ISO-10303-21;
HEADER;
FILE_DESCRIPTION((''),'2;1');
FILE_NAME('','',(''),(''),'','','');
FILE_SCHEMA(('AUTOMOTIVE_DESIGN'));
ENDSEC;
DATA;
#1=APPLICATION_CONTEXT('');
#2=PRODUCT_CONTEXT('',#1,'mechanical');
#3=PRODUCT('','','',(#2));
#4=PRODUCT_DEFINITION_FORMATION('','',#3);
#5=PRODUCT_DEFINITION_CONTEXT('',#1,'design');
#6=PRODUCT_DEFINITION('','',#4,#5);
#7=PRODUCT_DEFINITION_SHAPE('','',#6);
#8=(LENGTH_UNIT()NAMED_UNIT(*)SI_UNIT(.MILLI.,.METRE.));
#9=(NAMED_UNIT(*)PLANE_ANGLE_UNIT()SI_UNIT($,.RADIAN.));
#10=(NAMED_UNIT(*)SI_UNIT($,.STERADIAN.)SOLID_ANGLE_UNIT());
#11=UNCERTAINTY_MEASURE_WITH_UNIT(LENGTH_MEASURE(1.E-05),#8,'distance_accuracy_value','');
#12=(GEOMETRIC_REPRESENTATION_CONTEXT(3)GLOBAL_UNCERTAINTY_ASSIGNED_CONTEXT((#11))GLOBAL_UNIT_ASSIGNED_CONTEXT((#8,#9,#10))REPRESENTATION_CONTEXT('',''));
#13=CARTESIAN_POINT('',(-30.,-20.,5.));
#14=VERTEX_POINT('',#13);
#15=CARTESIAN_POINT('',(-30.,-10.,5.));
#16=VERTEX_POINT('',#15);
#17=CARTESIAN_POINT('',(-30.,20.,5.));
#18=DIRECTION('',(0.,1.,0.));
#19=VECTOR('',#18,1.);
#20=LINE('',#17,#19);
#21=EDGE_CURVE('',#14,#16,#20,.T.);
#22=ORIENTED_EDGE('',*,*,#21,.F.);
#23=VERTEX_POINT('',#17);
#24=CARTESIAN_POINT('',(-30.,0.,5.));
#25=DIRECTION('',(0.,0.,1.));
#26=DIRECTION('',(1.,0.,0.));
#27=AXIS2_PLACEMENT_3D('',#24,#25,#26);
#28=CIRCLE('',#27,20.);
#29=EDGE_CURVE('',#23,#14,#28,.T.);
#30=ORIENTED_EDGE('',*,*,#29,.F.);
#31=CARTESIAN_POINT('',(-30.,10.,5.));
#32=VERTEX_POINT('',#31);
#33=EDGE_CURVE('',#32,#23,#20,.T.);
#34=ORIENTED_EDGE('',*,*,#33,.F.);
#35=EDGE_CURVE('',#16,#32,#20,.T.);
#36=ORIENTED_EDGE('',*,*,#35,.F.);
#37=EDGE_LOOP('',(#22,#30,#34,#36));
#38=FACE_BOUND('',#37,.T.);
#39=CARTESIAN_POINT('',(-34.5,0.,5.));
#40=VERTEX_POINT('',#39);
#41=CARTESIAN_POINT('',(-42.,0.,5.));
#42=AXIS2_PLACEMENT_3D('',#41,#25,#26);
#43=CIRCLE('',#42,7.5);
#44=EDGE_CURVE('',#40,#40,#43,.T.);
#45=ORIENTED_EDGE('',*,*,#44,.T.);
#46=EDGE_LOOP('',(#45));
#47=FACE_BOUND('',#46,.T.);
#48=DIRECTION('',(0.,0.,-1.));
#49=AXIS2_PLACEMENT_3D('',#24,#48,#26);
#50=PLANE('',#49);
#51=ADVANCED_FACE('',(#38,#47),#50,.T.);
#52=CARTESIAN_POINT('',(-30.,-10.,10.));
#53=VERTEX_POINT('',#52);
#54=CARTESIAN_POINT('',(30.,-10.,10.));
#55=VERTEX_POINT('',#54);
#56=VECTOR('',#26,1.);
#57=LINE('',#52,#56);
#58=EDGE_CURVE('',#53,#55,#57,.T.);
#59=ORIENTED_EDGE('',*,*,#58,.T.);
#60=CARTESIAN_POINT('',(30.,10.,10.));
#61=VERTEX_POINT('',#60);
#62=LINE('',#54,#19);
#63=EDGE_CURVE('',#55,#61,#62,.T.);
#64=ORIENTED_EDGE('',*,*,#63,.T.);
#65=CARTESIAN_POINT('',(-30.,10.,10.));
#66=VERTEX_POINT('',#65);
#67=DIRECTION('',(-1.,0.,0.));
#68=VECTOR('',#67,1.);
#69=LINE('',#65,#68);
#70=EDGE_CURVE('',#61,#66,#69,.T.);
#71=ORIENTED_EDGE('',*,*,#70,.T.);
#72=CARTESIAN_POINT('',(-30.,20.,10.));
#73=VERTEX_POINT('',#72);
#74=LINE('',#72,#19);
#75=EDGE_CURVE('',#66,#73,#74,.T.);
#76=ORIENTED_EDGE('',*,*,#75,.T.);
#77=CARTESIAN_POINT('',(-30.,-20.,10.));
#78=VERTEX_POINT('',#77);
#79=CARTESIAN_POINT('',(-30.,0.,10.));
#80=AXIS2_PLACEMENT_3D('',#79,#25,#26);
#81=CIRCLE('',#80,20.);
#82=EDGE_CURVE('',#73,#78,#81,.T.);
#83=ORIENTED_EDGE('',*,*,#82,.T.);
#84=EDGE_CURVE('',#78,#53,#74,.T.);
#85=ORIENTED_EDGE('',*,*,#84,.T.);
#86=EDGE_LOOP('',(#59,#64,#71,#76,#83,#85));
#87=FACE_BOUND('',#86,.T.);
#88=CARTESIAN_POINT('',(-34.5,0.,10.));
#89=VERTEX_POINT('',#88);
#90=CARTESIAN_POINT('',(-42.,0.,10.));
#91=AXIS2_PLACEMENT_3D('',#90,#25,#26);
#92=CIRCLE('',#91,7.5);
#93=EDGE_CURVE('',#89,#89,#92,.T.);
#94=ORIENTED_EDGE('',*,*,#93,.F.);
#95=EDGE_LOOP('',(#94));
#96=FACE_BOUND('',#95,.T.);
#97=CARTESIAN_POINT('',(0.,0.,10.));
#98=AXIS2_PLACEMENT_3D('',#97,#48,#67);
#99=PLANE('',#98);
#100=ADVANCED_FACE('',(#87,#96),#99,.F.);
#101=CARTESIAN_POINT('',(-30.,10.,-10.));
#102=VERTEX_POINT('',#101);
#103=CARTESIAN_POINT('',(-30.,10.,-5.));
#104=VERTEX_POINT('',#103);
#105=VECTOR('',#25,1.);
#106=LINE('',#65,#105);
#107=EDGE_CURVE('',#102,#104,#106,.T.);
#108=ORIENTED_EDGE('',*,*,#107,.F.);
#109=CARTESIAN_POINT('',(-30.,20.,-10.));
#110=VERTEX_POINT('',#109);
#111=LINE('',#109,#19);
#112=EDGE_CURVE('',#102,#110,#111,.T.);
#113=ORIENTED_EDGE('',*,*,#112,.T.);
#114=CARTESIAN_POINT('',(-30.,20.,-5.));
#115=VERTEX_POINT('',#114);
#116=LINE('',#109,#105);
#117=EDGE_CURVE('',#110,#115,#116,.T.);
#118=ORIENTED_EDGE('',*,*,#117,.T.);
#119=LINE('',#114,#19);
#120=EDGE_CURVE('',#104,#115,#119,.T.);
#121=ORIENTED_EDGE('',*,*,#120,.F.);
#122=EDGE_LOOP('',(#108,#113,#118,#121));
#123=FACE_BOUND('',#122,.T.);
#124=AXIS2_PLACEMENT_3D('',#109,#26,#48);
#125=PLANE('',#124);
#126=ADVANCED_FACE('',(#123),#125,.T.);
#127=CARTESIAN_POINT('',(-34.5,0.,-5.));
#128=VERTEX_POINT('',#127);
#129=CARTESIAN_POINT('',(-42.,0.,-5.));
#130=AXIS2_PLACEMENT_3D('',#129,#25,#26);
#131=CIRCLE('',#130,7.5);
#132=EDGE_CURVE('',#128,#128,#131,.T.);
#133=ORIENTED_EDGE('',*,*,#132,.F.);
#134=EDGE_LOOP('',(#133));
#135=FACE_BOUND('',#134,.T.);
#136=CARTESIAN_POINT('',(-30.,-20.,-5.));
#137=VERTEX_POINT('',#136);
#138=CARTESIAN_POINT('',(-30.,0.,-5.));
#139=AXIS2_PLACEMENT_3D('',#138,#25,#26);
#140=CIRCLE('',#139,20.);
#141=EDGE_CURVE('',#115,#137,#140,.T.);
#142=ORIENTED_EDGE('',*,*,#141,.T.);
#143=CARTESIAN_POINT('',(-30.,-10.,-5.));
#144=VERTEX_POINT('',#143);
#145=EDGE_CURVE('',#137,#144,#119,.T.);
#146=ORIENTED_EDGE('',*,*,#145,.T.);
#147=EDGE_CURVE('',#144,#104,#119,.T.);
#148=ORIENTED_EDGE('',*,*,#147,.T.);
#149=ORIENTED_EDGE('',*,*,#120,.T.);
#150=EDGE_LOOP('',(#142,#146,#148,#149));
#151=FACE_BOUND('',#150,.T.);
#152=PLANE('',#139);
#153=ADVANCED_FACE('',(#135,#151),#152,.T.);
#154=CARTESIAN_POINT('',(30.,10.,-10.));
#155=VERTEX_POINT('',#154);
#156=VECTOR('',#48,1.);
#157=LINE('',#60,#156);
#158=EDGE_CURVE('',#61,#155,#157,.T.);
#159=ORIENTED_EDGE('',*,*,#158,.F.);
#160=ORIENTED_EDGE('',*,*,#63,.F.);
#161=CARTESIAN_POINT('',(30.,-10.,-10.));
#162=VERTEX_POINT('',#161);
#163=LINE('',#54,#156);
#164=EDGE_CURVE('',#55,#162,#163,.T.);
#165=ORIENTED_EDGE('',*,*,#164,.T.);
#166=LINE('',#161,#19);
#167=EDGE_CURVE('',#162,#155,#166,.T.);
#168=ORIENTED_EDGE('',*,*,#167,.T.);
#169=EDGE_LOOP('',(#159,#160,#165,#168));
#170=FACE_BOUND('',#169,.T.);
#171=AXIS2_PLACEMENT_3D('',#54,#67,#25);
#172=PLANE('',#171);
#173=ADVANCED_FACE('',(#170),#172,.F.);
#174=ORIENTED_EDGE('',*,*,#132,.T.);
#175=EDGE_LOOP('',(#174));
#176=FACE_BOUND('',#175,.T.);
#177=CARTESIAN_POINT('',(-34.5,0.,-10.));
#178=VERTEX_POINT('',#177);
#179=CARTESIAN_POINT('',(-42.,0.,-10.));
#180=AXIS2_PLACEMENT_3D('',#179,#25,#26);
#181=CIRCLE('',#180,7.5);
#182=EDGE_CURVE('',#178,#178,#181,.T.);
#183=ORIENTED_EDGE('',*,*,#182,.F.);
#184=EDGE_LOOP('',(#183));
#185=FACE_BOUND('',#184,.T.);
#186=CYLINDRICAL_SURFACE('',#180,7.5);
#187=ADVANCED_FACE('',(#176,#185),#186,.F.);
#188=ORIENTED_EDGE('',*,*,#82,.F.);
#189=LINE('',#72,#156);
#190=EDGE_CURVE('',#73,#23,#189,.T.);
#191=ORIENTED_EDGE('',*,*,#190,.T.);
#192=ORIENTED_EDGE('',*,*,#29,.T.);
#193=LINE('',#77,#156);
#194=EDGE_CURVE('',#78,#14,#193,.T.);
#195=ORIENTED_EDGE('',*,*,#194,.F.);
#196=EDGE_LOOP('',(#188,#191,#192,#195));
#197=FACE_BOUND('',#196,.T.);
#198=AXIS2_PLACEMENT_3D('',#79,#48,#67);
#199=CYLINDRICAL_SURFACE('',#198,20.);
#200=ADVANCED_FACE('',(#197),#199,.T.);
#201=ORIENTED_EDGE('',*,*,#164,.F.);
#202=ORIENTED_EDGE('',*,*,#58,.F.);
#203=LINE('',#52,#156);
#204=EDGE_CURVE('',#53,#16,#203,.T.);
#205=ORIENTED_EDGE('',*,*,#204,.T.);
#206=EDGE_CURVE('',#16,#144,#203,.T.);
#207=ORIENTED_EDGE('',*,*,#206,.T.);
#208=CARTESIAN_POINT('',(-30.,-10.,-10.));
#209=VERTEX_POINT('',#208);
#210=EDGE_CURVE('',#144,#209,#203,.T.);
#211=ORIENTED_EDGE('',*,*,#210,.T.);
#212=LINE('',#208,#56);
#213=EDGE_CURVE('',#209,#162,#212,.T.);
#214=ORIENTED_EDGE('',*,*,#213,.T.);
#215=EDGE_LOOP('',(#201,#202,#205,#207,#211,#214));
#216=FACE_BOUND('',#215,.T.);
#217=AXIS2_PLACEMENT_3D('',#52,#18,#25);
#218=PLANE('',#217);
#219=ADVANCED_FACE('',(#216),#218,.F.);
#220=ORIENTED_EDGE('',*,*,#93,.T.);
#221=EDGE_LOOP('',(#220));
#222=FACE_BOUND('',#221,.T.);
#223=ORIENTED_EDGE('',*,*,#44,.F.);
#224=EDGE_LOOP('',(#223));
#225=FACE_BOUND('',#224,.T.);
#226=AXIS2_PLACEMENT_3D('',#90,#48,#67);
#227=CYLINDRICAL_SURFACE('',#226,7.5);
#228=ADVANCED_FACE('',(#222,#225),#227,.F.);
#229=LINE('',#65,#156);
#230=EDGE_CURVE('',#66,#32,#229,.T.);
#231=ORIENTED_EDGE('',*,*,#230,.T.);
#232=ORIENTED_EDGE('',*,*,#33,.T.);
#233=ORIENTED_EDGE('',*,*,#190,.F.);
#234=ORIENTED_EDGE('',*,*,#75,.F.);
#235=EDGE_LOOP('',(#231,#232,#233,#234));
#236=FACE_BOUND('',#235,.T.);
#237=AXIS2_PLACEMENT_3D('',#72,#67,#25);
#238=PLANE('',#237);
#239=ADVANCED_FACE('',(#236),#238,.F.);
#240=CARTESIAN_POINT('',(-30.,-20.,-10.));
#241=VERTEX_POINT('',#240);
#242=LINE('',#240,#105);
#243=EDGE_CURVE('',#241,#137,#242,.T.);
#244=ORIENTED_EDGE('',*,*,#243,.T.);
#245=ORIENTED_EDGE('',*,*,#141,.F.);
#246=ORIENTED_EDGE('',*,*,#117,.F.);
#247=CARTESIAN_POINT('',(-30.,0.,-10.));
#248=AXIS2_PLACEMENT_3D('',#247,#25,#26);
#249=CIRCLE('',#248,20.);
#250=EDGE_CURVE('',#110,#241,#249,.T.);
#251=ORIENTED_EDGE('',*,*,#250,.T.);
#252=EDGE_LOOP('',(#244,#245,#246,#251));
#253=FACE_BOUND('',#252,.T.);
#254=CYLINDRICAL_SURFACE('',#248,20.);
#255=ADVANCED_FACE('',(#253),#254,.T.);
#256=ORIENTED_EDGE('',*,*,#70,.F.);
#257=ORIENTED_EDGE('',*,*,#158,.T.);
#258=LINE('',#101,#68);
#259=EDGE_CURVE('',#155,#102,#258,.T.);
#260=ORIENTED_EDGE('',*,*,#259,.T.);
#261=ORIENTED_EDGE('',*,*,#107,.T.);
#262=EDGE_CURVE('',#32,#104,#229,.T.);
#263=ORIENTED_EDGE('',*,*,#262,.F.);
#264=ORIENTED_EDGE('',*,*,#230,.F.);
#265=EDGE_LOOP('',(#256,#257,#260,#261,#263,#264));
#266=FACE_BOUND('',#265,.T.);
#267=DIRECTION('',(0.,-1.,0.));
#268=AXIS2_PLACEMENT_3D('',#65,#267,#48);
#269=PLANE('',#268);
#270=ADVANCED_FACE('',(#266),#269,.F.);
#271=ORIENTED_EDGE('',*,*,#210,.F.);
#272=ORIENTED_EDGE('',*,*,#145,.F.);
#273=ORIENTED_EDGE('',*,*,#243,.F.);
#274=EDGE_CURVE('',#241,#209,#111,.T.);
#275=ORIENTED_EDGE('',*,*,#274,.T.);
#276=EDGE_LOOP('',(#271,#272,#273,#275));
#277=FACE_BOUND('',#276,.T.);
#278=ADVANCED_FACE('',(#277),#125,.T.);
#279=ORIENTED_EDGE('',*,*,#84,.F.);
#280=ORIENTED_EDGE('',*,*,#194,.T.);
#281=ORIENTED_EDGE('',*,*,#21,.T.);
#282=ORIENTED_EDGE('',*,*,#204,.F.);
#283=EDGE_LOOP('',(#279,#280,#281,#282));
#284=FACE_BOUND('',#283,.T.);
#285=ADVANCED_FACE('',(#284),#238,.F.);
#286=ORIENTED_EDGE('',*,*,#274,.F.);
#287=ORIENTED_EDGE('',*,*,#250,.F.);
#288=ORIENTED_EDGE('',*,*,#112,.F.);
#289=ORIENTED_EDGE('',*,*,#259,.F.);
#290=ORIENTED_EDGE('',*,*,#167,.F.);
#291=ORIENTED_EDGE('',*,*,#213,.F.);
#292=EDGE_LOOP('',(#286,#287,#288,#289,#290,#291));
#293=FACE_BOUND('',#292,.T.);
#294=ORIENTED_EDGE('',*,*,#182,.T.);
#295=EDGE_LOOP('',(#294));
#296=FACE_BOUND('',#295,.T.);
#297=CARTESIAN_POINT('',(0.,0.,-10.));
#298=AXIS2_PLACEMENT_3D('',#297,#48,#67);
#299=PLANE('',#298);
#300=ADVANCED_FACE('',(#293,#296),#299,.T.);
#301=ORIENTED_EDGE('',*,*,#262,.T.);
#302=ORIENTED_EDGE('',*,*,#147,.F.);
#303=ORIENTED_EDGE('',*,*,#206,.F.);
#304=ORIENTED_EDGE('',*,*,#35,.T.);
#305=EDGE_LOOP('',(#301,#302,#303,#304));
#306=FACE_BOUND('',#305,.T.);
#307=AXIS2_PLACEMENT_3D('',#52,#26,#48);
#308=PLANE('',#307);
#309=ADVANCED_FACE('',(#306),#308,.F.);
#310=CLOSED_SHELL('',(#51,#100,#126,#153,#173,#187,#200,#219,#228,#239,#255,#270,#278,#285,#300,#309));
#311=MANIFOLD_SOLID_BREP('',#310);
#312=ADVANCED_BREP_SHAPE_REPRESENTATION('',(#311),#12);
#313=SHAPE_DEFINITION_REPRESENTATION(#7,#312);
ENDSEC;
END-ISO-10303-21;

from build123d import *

# Parameters (mm, degrees)
SKETCH_1_W      = 60
SKETCH_1_H      = 20
EXTRUDE_1_DEPTH = 10
SKETCH_2_R      = 7.5
EXTRUDE_2_DEPTH = 5


with BuildPart() as part:
    # 草图1 → 凸台-拉伸1 (new, symmetric)
    with BuildSketch(Plane.XY):
        Rectangle(SKETCH_1_W, SKETCH_1_H)
    extrude(amount=EXTRUDE_1_DEPTH, both=True)

    # 草图2 → 凸台-拉伸2 (add)
    with BuildSketch(Plane.XY.offset(-5)):
        with BuildLine():
            Line((-30, 20), (-30, -20))
            ThreePointArc((-30, -20), (-50, 0), (-30, 20))
        make_face()
        with Locations((-42, 0)):
            Circle(SKETCH_2_R, mode=Mode.SUBTRACT)
    extrude_2 = extrude(amount=-EXTRUDE_2_DEPTH)

    # 镜向4: 凸台-拉伸2 across plane
    add(extrude_2.mirror(Plane.XY))


solid = part.part
